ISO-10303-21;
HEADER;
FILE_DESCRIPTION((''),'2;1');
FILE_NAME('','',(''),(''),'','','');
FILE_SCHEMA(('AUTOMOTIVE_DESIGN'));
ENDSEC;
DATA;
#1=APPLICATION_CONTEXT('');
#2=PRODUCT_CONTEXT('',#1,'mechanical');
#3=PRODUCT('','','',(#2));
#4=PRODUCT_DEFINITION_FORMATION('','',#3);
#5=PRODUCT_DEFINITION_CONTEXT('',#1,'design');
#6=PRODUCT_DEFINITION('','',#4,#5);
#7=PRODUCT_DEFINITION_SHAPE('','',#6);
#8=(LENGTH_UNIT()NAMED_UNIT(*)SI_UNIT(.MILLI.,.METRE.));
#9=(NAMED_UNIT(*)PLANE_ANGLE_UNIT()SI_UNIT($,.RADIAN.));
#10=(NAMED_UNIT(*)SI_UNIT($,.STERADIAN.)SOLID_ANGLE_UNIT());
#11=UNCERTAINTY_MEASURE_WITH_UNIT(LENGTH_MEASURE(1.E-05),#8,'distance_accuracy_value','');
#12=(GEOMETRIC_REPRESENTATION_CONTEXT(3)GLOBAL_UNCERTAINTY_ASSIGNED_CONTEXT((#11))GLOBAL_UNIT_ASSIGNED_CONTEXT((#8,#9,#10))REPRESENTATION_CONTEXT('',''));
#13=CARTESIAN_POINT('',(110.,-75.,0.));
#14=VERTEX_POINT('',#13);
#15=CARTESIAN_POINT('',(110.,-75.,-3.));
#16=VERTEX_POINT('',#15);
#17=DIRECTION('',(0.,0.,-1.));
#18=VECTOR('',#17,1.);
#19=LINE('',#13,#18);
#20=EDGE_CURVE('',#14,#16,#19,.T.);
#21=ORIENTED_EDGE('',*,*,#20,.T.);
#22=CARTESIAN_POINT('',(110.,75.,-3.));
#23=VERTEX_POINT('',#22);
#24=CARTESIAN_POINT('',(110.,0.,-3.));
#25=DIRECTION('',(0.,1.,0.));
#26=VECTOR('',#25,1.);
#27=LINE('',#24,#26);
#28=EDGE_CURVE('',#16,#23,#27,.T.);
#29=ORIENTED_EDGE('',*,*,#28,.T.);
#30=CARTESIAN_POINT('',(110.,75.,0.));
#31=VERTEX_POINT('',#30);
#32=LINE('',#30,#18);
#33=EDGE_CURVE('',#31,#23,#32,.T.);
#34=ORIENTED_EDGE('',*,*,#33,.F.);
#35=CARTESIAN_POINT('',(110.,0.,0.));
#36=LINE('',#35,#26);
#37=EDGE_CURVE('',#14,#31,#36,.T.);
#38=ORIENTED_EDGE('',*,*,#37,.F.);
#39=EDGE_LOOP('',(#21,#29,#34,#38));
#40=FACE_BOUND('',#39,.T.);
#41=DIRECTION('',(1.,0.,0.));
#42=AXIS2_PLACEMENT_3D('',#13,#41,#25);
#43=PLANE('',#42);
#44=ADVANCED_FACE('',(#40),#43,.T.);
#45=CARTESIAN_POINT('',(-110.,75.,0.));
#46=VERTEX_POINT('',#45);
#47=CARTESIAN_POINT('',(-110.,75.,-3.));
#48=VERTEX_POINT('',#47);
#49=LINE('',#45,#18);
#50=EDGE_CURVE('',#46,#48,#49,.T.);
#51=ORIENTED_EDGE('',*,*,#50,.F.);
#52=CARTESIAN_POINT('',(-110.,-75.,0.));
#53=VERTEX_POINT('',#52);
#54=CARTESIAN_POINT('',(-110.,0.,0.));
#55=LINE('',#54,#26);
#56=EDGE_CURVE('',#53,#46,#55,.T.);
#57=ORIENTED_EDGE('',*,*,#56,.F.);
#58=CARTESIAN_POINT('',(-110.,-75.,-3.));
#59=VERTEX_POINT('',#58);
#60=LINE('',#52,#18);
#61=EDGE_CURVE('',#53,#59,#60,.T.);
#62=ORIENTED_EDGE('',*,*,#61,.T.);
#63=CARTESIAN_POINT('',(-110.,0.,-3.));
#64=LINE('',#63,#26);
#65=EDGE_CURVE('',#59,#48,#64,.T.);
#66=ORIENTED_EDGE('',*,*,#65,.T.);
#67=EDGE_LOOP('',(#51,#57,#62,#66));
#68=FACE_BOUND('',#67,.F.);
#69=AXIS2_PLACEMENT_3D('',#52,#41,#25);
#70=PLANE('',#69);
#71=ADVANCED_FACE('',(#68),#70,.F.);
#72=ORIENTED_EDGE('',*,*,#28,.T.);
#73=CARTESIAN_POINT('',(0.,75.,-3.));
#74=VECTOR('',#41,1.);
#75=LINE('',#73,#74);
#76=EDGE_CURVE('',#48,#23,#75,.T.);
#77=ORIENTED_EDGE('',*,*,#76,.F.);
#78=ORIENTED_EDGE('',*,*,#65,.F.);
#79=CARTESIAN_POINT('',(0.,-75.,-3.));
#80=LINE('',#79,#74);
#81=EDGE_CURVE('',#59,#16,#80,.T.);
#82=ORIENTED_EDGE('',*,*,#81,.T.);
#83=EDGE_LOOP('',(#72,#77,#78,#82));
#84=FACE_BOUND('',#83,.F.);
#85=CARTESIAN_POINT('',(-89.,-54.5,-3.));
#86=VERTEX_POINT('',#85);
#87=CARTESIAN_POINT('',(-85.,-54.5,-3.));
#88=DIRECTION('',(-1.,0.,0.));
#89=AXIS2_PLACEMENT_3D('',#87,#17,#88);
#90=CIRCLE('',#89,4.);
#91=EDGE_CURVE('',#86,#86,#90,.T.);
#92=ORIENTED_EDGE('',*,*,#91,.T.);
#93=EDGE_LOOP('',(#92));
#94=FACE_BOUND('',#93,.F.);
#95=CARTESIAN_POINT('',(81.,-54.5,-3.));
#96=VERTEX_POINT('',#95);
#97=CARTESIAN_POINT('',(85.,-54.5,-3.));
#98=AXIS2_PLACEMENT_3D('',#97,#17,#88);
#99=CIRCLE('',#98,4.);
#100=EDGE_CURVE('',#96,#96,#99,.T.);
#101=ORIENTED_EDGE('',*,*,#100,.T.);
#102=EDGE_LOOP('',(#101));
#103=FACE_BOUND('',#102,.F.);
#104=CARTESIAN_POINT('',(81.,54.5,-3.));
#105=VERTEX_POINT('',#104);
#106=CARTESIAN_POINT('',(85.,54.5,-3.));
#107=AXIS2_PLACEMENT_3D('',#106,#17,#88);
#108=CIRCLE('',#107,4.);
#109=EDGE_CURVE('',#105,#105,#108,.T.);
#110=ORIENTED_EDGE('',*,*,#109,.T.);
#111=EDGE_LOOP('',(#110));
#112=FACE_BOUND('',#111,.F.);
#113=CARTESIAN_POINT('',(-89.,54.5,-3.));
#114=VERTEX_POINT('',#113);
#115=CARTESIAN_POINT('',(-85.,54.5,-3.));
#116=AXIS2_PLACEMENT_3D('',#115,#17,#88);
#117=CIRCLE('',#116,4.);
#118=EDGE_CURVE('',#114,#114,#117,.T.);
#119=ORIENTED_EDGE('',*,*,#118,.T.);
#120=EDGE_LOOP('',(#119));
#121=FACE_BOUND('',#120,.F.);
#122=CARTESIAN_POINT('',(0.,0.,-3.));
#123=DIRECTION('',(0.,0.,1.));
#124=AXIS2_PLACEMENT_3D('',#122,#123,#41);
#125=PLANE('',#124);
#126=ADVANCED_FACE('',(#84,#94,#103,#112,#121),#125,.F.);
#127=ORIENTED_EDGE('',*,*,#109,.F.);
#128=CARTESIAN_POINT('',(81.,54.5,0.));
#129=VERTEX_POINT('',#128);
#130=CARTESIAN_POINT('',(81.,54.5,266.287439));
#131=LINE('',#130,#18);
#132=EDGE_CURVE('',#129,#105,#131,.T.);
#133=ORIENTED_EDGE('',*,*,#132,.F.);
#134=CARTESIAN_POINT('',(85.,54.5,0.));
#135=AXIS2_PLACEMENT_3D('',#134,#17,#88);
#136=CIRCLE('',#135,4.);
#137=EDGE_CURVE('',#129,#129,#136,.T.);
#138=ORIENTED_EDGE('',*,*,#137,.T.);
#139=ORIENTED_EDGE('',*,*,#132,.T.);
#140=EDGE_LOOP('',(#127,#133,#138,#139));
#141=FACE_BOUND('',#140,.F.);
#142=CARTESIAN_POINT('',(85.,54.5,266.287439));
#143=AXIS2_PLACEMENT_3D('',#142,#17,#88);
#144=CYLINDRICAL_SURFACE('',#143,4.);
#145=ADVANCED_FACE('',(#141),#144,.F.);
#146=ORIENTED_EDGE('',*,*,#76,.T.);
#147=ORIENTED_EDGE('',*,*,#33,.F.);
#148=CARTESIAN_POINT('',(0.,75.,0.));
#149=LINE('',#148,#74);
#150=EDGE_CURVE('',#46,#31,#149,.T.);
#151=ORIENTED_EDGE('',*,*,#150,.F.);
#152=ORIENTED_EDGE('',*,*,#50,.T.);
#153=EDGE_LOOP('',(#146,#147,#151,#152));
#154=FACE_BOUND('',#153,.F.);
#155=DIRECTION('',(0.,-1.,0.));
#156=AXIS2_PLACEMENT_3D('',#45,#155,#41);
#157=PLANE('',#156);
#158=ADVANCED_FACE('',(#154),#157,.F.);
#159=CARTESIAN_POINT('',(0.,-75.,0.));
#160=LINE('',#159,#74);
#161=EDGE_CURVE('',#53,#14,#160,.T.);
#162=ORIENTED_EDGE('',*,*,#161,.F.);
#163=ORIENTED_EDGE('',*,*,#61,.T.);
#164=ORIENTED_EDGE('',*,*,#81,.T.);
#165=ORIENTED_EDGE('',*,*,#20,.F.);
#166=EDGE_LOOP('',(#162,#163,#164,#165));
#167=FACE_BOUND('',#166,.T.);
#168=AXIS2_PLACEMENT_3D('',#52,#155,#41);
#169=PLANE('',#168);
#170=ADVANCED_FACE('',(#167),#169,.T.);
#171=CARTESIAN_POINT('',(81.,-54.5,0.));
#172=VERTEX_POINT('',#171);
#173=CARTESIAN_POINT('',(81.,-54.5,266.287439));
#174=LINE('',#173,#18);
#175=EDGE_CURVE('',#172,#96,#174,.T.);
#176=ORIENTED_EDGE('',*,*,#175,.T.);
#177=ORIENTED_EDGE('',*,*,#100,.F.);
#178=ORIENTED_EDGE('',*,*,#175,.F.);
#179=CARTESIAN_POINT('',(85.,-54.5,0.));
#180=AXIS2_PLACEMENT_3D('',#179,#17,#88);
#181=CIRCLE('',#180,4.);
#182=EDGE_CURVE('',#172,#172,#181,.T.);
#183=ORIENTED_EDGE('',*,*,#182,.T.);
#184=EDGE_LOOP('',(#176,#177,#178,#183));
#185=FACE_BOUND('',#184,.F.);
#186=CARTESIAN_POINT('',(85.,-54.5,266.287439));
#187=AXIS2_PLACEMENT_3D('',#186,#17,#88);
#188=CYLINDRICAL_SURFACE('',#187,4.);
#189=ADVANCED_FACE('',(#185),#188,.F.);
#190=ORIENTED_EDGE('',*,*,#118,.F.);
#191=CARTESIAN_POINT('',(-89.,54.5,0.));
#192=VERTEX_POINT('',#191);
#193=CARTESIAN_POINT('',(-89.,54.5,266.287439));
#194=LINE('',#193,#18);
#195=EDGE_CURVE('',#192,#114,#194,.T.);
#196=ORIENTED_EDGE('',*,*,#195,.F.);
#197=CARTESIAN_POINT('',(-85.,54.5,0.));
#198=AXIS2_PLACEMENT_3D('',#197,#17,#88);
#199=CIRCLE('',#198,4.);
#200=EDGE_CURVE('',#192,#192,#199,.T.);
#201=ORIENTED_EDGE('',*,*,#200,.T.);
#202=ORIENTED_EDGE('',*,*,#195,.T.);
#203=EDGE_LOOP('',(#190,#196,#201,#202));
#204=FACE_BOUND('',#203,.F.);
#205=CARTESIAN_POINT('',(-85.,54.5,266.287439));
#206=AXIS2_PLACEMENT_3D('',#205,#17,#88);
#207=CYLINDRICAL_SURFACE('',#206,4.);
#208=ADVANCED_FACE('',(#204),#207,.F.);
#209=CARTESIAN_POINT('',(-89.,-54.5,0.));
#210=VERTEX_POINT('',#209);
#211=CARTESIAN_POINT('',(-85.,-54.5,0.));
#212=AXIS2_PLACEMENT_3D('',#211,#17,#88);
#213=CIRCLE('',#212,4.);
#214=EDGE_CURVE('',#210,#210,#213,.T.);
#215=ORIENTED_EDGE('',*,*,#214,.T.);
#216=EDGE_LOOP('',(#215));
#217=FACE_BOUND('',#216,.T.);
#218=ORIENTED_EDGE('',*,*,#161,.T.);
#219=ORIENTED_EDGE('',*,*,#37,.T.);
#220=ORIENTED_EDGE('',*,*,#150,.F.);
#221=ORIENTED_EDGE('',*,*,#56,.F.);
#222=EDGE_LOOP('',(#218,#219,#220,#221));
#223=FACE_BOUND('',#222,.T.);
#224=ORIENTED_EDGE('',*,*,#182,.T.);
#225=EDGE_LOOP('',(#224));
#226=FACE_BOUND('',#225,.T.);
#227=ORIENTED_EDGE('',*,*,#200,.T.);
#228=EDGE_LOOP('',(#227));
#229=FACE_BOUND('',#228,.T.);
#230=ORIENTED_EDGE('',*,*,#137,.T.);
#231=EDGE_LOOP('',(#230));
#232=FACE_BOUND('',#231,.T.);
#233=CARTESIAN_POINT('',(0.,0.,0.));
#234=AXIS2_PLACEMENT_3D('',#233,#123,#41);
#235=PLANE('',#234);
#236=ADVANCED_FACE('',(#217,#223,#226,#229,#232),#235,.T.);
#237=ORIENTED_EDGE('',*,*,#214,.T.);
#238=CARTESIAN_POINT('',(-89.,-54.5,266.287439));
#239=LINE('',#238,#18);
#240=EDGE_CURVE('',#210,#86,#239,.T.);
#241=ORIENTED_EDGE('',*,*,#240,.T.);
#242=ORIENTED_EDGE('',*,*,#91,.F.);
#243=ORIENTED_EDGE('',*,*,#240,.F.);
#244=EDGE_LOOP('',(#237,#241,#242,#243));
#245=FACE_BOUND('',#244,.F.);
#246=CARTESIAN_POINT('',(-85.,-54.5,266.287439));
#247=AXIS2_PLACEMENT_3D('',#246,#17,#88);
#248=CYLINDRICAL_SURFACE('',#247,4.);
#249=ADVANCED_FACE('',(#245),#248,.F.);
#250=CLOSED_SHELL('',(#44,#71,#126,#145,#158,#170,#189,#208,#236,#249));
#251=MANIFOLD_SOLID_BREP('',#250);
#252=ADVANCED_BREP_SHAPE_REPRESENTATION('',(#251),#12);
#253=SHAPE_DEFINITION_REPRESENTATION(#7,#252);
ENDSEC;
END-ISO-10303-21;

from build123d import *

# Parameters (mm, degrees)
F0_W     = 220
F0_H     = 150
F2_DEPTH = 3
F3_D     = 8


with BuildPart() as f2:
    # F0 (on Top) → F2 (new body)
    with BuildSketch(Plane.XY):
        Rectangle(F0_W, F0_H)
    extrude(amount=-F2_DEPTH)

    # F3 (through all)
    with Locations(Plane.XY):
        with Locations((85, -54.5), (85, 54.5), (-85, 54.5), (-85, -54.5)):
            Hole(F3_D / 2)


solid = f2.part
